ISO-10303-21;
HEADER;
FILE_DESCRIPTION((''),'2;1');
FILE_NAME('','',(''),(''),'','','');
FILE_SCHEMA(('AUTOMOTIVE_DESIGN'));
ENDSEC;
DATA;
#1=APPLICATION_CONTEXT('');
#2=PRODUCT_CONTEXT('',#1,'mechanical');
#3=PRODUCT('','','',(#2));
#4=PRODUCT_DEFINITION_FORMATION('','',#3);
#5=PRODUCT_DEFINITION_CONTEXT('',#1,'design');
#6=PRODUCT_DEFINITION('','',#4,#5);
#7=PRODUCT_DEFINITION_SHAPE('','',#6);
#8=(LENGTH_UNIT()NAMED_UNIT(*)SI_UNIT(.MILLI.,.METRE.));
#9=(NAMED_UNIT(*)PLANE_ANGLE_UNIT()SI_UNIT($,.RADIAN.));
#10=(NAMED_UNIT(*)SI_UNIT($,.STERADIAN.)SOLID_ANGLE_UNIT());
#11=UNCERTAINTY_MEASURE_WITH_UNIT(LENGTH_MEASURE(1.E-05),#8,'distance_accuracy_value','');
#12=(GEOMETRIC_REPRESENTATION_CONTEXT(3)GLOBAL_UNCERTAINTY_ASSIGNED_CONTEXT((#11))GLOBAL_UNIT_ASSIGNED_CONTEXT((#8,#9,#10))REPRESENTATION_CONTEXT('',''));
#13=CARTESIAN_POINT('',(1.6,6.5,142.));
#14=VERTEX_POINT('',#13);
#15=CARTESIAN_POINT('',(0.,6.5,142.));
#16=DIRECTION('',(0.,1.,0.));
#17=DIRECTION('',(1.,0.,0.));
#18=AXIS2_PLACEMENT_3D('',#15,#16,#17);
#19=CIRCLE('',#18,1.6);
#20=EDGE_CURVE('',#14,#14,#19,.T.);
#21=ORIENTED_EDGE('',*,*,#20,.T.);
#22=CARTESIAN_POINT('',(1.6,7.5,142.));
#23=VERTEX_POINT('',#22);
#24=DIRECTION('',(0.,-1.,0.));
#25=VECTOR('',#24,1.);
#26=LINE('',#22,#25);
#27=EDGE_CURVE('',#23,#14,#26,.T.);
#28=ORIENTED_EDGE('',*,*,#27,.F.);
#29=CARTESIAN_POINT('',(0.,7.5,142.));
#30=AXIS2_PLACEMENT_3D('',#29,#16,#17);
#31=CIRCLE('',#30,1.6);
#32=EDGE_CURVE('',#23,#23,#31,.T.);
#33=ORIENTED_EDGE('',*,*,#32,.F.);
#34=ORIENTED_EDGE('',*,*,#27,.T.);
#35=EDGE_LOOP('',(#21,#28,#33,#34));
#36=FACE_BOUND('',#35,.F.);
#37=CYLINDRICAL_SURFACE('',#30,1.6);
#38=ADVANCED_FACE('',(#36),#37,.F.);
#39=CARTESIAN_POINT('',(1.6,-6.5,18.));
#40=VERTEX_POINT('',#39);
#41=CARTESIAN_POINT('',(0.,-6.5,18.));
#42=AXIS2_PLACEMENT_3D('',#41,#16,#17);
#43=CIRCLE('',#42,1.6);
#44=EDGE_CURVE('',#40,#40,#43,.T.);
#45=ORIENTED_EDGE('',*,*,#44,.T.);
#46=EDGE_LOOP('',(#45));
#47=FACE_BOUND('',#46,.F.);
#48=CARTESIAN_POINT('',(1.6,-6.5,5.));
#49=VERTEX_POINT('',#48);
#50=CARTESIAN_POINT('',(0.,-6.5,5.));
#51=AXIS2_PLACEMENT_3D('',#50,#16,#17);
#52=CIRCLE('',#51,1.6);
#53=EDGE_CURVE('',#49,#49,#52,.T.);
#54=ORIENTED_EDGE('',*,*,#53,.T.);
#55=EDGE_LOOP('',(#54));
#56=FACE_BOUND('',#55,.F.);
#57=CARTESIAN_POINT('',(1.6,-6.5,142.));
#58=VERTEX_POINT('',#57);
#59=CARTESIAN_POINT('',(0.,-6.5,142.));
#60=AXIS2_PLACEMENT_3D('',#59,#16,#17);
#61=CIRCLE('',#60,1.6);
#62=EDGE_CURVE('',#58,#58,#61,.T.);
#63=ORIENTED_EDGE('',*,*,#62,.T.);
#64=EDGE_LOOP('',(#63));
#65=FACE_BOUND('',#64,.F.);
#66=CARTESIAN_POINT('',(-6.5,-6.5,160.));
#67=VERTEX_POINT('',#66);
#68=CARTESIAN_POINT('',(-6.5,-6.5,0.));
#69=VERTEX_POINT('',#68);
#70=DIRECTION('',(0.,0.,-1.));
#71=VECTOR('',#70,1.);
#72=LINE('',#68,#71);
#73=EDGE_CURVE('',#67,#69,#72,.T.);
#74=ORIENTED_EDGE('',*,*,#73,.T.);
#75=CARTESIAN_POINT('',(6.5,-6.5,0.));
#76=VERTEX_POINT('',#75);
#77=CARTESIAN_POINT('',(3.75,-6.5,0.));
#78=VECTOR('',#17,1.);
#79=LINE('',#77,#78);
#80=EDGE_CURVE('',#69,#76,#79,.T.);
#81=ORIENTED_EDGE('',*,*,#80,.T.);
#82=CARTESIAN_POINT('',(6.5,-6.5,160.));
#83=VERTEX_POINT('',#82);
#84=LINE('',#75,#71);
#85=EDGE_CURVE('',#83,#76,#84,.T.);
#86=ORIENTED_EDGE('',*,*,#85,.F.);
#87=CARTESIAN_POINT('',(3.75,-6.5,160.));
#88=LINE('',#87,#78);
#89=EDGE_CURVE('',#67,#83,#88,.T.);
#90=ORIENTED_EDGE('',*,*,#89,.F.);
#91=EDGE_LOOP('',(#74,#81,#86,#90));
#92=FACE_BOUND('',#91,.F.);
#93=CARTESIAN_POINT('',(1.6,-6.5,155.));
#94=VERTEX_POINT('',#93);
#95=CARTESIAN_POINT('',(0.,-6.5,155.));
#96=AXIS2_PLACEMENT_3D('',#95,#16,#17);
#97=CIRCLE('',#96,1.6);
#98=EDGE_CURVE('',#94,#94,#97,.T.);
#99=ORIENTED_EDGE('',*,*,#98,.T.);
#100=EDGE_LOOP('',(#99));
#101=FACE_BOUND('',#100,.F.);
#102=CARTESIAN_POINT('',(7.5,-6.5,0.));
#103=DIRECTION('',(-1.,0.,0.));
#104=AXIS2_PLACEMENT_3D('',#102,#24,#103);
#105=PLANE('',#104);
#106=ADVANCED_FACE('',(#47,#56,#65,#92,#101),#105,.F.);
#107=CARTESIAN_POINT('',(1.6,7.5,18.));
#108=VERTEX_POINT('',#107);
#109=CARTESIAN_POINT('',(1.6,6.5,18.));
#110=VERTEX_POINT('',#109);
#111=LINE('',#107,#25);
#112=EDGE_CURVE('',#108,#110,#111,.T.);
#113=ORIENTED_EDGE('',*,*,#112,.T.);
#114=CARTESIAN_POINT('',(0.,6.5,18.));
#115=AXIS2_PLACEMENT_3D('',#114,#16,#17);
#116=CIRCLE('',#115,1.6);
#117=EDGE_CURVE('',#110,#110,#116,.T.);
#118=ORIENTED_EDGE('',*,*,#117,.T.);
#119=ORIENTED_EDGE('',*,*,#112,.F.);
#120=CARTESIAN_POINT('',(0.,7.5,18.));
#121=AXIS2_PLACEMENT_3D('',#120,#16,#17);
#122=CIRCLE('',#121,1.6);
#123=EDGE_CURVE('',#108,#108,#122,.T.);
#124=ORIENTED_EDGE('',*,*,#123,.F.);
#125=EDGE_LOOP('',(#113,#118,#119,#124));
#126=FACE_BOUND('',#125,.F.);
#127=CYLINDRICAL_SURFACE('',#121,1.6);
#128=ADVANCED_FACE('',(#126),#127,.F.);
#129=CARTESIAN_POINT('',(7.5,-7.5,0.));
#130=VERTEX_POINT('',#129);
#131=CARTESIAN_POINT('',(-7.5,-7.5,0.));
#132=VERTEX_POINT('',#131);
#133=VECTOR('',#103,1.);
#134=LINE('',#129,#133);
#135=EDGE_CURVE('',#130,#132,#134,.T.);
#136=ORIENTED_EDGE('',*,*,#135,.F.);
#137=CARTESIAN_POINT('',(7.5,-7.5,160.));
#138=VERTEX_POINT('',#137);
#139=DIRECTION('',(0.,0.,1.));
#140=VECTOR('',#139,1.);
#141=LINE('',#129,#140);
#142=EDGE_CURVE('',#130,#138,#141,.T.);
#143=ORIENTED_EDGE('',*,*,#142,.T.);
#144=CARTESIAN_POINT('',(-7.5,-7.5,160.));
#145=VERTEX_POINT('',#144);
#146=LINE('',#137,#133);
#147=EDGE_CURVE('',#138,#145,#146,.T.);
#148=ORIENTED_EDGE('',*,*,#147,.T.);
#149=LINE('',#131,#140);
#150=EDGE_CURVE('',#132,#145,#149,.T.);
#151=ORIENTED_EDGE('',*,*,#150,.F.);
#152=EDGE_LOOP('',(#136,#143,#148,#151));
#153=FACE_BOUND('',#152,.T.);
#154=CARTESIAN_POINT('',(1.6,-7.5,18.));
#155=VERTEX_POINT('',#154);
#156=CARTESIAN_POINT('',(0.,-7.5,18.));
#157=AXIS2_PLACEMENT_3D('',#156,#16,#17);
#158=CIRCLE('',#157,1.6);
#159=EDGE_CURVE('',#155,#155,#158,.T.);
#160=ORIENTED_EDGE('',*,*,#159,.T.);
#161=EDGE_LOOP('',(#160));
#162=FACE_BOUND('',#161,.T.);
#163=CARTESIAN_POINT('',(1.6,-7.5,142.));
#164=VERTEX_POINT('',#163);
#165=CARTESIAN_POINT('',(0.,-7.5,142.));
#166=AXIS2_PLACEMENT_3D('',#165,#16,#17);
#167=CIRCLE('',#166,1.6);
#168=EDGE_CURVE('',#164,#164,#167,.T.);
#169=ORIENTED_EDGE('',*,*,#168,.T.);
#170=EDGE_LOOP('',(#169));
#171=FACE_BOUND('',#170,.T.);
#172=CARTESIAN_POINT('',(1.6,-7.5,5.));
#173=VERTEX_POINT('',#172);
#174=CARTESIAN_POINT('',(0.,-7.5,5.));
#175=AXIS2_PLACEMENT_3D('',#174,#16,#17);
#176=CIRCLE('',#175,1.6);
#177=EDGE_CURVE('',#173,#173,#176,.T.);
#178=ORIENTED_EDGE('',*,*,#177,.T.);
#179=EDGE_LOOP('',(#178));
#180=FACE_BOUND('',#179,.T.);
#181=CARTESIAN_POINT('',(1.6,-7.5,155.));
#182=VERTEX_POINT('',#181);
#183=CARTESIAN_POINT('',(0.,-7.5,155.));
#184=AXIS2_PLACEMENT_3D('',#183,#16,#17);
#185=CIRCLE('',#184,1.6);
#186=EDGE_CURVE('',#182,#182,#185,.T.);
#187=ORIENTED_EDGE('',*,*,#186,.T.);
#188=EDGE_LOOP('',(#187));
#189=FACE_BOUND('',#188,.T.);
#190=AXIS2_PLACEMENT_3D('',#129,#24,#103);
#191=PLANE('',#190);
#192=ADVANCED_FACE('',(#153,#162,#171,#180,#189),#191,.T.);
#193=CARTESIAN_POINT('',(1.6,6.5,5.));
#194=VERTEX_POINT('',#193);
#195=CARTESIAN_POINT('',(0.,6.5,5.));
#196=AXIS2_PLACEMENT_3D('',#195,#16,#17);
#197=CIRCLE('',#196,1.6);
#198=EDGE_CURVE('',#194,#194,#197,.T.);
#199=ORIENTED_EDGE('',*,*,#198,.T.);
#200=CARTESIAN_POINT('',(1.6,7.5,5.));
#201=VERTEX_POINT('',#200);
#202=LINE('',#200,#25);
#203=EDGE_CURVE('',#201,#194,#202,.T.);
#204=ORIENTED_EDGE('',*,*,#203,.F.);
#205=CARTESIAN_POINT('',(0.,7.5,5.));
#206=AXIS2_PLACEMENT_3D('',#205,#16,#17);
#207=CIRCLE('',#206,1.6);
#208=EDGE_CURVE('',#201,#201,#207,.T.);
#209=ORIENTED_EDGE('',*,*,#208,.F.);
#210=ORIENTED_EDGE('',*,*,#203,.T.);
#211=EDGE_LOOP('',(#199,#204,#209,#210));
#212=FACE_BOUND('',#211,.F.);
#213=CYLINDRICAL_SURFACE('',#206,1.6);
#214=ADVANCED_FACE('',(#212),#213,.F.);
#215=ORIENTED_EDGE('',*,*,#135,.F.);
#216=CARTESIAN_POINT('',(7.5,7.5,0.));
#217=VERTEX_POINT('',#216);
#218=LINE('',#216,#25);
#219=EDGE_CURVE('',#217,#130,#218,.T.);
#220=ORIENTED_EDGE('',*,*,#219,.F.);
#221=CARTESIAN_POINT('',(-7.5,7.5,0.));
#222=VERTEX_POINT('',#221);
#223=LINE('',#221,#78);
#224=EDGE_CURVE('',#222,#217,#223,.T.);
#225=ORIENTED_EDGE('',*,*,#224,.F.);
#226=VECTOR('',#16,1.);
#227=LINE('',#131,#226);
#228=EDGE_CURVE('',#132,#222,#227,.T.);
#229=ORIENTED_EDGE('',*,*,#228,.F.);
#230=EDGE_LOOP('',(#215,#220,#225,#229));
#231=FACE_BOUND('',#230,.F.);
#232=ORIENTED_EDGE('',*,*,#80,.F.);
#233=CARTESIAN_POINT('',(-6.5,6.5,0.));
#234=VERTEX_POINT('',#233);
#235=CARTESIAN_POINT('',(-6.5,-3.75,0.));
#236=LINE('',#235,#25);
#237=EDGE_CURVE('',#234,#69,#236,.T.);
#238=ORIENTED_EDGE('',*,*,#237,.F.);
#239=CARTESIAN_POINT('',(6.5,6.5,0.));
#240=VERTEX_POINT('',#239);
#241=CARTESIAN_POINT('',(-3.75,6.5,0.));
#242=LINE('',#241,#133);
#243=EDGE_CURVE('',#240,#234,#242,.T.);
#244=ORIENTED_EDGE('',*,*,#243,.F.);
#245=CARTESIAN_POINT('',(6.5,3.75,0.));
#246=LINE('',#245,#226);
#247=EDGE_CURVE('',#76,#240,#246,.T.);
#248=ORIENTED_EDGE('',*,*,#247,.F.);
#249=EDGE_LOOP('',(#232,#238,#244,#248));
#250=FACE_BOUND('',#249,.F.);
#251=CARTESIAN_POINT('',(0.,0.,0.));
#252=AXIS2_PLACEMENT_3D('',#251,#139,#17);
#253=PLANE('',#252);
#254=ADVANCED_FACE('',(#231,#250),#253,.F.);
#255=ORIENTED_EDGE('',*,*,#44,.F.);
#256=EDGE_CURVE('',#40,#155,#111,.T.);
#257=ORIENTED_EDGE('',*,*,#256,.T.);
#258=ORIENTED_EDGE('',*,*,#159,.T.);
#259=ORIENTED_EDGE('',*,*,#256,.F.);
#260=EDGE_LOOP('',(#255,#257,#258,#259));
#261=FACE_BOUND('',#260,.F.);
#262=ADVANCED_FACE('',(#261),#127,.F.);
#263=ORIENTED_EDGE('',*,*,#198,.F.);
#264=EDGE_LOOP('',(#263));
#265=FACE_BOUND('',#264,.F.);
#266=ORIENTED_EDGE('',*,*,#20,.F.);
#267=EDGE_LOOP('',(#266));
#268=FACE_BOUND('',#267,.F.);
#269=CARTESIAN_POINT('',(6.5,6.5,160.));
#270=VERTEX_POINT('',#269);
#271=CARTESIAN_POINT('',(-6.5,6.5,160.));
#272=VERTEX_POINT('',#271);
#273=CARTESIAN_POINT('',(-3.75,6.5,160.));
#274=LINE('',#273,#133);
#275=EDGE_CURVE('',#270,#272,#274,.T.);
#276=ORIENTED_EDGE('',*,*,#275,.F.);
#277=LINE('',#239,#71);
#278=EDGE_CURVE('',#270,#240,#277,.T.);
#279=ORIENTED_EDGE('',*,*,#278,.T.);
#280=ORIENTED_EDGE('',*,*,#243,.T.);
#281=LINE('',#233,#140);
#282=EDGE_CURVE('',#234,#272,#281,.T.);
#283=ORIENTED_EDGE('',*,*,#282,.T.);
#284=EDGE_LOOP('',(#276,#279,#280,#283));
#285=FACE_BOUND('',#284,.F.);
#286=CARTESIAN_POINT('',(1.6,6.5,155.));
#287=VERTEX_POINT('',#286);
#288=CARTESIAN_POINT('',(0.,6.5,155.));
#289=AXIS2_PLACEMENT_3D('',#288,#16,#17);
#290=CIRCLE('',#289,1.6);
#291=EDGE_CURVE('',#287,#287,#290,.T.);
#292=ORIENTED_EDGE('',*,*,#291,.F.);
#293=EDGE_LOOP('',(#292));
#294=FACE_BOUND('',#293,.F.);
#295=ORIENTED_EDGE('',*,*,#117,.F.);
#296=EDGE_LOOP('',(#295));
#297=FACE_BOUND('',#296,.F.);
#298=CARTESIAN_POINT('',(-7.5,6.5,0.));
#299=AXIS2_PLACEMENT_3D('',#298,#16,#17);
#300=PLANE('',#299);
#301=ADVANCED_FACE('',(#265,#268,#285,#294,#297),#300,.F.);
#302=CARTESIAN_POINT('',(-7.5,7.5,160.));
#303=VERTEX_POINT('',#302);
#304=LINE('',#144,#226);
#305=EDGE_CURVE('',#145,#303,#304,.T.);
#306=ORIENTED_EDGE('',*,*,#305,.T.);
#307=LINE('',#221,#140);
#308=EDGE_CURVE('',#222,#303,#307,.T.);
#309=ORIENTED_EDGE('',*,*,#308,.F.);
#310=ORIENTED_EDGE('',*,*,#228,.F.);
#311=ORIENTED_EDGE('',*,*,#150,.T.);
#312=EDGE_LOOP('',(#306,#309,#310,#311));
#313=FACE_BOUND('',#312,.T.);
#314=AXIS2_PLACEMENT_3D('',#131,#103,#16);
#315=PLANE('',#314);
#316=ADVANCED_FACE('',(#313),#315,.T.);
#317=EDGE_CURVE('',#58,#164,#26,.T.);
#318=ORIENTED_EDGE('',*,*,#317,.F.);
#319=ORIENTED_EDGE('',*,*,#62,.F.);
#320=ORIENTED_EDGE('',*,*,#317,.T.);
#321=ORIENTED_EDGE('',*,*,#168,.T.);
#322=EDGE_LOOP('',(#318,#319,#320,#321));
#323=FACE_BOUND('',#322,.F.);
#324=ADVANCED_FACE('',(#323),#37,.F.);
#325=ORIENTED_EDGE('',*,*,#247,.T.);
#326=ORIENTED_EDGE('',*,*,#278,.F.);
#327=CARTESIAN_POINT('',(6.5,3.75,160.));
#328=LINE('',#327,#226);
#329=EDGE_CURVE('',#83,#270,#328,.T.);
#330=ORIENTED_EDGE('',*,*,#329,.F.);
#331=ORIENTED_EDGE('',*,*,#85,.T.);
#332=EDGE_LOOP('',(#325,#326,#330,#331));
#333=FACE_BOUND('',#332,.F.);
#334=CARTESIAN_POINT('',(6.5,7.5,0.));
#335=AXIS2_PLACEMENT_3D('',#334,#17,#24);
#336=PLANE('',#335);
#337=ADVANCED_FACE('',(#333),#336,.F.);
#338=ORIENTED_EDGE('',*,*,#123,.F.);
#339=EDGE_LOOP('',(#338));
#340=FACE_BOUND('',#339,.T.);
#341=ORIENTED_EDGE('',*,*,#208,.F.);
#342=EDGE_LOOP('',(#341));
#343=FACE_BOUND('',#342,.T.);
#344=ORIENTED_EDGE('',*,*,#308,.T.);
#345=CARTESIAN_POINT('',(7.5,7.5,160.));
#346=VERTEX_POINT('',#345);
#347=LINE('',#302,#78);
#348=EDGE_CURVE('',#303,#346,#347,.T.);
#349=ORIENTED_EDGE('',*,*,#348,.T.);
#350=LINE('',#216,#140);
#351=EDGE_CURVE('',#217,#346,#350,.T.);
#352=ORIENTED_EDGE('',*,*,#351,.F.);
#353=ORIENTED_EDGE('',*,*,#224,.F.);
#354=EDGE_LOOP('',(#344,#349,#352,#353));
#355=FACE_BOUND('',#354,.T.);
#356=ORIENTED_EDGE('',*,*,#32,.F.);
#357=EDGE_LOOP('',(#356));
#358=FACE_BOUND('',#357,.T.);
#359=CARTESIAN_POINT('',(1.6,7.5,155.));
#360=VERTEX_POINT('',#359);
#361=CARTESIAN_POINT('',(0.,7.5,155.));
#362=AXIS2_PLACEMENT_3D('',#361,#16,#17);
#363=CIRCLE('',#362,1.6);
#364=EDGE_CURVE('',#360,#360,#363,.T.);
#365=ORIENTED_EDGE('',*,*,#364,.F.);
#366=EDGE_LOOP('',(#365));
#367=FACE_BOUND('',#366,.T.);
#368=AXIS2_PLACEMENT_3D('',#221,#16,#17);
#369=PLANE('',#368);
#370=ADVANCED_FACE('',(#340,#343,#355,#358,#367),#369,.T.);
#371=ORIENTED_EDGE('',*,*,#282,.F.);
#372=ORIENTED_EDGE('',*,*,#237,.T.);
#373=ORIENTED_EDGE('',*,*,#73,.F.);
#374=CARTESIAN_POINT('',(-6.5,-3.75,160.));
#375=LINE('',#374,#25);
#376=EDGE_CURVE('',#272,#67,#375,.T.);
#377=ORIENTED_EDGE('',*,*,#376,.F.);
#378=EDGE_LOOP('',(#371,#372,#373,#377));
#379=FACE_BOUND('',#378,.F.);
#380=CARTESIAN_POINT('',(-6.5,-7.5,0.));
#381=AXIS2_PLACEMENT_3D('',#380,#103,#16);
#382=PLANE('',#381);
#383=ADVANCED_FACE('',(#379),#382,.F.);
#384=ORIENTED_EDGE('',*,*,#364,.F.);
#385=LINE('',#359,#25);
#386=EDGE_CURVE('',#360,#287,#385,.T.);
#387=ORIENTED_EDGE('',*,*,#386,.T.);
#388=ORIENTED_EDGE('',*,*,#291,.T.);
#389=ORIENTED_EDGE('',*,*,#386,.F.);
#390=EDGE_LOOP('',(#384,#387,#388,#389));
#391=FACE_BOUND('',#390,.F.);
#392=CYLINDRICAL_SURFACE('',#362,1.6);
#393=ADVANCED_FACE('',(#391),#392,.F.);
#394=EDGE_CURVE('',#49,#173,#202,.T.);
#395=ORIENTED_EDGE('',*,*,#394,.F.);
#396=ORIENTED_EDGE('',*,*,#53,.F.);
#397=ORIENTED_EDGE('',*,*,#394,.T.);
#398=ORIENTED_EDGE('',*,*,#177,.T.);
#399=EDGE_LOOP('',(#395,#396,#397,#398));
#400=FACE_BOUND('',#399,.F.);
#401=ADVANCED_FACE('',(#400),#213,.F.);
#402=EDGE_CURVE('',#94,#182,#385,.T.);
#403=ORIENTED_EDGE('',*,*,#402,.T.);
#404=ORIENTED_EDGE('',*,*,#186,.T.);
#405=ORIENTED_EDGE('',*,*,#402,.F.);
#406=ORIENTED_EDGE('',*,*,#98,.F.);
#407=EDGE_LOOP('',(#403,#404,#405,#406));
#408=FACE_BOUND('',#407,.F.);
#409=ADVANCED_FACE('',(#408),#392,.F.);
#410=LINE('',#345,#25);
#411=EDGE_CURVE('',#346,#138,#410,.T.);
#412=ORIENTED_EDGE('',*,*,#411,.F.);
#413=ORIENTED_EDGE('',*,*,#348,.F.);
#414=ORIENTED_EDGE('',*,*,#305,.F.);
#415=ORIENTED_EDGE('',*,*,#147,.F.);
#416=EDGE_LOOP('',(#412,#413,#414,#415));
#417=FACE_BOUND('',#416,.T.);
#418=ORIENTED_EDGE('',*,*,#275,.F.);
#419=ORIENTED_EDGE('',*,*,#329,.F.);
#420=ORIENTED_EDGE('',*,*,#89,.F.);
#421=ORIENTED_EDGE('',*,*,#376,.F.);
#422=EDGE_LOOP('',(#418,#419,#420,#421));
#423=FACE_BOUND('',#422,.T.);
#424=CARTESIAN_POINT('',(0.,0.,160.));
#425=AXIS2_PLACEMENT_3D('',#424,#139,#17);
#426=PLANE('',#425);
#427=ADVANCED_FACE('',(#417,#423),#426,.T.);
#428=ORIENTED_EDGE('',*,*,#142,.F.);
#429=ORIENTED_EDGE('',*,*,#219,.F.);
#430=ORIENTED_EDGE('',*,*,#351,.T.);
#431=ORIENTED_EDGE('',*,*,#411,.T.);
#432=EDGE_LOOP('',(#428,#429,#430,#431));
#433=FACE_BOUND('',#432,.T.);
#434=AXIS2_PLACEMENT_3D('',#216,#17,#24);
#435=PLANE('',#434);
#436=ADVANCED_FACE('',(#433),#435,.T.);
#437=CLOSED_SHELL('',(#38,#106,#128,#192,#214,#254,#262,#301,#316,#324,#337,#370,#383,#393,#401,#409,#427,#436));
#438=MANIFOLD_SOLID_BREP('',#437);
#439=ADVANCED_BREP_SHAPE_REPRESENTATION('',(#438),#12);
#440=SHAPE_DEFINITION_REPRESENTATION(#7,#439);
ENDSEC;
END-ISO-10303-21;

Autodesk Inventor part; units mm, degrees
ref_plane "YZ Plane" through (0, 0, 0) normal (1, 0, 0) x (0, 1, 0)
ref_plane "XZ Plane" through (0, 0, 0) normal (0, 1, 0) x (-1, 0, 0)
ref_plane "XY Plane" through (0, 0, 0) normal (0, 0, 1) x (1, 0, 0)
sketch "スケッチ1" plane through (0, 0, 0) normal (0, 0, 1) x (1, 0, 0)
  line L0 (-7.5, 7.5) -> (7.5, 7.5)
  line L1 (7.5, 7.5) -> (7.5, -7.5)
  line L2 (7.5, -7.5) -> (-7.5, -7.5)
  line L3 (-7.5, -7.5) -> (-7.5, 7.5)
  point P0 (0, 0)
  point P1 (-7.5, 0)
  point P2 (0, 7.5)
  dimension "d0" = 15
  dimension "d1" = 15
extrude "押し出し1" add sketch "スケッチ1" along normal blind 160
shell "シェル1" thickness 1 removed faces 2 at (-2.5, -2.5, 0) at (-2.5, -2.5, 160)
sketch "スケッチ2" plane through (-7.5, 7.5, 0) normal (0, 1, 0) x (1, 0, 0)
  circle A0 centre (7.5, -5) radius 1.6
  circle A1 centre (7.5, -18) radius 1.6
  circle A2 centre (7.5, -142) radius 1.6
  circle A3 centre (7.5, -155) radius 1.6
  line L0 (15, 0) -> (0, 0) projected
  line L1 (15, -160) -> (0, -160) projected
  point P0 (7.5, 0)
  point P1 (7.5, 0)
  point P2 (7.5, 0)
  dimension "d5" = 3.2
  dimension "d6" = 3.2
  dimension "d7" = 3.2
  dimension "d8" = 3.2
  dimension "d9" = 5
  dimension "d10" = 13
  dimension "d11" = 5
  dimension "d12" = 13
extrude "押し出し2" cut sketch "スケッチ2" against normal through all
properties part number "pipe_base2sholder_roll" material "アルミニウム 6061"
